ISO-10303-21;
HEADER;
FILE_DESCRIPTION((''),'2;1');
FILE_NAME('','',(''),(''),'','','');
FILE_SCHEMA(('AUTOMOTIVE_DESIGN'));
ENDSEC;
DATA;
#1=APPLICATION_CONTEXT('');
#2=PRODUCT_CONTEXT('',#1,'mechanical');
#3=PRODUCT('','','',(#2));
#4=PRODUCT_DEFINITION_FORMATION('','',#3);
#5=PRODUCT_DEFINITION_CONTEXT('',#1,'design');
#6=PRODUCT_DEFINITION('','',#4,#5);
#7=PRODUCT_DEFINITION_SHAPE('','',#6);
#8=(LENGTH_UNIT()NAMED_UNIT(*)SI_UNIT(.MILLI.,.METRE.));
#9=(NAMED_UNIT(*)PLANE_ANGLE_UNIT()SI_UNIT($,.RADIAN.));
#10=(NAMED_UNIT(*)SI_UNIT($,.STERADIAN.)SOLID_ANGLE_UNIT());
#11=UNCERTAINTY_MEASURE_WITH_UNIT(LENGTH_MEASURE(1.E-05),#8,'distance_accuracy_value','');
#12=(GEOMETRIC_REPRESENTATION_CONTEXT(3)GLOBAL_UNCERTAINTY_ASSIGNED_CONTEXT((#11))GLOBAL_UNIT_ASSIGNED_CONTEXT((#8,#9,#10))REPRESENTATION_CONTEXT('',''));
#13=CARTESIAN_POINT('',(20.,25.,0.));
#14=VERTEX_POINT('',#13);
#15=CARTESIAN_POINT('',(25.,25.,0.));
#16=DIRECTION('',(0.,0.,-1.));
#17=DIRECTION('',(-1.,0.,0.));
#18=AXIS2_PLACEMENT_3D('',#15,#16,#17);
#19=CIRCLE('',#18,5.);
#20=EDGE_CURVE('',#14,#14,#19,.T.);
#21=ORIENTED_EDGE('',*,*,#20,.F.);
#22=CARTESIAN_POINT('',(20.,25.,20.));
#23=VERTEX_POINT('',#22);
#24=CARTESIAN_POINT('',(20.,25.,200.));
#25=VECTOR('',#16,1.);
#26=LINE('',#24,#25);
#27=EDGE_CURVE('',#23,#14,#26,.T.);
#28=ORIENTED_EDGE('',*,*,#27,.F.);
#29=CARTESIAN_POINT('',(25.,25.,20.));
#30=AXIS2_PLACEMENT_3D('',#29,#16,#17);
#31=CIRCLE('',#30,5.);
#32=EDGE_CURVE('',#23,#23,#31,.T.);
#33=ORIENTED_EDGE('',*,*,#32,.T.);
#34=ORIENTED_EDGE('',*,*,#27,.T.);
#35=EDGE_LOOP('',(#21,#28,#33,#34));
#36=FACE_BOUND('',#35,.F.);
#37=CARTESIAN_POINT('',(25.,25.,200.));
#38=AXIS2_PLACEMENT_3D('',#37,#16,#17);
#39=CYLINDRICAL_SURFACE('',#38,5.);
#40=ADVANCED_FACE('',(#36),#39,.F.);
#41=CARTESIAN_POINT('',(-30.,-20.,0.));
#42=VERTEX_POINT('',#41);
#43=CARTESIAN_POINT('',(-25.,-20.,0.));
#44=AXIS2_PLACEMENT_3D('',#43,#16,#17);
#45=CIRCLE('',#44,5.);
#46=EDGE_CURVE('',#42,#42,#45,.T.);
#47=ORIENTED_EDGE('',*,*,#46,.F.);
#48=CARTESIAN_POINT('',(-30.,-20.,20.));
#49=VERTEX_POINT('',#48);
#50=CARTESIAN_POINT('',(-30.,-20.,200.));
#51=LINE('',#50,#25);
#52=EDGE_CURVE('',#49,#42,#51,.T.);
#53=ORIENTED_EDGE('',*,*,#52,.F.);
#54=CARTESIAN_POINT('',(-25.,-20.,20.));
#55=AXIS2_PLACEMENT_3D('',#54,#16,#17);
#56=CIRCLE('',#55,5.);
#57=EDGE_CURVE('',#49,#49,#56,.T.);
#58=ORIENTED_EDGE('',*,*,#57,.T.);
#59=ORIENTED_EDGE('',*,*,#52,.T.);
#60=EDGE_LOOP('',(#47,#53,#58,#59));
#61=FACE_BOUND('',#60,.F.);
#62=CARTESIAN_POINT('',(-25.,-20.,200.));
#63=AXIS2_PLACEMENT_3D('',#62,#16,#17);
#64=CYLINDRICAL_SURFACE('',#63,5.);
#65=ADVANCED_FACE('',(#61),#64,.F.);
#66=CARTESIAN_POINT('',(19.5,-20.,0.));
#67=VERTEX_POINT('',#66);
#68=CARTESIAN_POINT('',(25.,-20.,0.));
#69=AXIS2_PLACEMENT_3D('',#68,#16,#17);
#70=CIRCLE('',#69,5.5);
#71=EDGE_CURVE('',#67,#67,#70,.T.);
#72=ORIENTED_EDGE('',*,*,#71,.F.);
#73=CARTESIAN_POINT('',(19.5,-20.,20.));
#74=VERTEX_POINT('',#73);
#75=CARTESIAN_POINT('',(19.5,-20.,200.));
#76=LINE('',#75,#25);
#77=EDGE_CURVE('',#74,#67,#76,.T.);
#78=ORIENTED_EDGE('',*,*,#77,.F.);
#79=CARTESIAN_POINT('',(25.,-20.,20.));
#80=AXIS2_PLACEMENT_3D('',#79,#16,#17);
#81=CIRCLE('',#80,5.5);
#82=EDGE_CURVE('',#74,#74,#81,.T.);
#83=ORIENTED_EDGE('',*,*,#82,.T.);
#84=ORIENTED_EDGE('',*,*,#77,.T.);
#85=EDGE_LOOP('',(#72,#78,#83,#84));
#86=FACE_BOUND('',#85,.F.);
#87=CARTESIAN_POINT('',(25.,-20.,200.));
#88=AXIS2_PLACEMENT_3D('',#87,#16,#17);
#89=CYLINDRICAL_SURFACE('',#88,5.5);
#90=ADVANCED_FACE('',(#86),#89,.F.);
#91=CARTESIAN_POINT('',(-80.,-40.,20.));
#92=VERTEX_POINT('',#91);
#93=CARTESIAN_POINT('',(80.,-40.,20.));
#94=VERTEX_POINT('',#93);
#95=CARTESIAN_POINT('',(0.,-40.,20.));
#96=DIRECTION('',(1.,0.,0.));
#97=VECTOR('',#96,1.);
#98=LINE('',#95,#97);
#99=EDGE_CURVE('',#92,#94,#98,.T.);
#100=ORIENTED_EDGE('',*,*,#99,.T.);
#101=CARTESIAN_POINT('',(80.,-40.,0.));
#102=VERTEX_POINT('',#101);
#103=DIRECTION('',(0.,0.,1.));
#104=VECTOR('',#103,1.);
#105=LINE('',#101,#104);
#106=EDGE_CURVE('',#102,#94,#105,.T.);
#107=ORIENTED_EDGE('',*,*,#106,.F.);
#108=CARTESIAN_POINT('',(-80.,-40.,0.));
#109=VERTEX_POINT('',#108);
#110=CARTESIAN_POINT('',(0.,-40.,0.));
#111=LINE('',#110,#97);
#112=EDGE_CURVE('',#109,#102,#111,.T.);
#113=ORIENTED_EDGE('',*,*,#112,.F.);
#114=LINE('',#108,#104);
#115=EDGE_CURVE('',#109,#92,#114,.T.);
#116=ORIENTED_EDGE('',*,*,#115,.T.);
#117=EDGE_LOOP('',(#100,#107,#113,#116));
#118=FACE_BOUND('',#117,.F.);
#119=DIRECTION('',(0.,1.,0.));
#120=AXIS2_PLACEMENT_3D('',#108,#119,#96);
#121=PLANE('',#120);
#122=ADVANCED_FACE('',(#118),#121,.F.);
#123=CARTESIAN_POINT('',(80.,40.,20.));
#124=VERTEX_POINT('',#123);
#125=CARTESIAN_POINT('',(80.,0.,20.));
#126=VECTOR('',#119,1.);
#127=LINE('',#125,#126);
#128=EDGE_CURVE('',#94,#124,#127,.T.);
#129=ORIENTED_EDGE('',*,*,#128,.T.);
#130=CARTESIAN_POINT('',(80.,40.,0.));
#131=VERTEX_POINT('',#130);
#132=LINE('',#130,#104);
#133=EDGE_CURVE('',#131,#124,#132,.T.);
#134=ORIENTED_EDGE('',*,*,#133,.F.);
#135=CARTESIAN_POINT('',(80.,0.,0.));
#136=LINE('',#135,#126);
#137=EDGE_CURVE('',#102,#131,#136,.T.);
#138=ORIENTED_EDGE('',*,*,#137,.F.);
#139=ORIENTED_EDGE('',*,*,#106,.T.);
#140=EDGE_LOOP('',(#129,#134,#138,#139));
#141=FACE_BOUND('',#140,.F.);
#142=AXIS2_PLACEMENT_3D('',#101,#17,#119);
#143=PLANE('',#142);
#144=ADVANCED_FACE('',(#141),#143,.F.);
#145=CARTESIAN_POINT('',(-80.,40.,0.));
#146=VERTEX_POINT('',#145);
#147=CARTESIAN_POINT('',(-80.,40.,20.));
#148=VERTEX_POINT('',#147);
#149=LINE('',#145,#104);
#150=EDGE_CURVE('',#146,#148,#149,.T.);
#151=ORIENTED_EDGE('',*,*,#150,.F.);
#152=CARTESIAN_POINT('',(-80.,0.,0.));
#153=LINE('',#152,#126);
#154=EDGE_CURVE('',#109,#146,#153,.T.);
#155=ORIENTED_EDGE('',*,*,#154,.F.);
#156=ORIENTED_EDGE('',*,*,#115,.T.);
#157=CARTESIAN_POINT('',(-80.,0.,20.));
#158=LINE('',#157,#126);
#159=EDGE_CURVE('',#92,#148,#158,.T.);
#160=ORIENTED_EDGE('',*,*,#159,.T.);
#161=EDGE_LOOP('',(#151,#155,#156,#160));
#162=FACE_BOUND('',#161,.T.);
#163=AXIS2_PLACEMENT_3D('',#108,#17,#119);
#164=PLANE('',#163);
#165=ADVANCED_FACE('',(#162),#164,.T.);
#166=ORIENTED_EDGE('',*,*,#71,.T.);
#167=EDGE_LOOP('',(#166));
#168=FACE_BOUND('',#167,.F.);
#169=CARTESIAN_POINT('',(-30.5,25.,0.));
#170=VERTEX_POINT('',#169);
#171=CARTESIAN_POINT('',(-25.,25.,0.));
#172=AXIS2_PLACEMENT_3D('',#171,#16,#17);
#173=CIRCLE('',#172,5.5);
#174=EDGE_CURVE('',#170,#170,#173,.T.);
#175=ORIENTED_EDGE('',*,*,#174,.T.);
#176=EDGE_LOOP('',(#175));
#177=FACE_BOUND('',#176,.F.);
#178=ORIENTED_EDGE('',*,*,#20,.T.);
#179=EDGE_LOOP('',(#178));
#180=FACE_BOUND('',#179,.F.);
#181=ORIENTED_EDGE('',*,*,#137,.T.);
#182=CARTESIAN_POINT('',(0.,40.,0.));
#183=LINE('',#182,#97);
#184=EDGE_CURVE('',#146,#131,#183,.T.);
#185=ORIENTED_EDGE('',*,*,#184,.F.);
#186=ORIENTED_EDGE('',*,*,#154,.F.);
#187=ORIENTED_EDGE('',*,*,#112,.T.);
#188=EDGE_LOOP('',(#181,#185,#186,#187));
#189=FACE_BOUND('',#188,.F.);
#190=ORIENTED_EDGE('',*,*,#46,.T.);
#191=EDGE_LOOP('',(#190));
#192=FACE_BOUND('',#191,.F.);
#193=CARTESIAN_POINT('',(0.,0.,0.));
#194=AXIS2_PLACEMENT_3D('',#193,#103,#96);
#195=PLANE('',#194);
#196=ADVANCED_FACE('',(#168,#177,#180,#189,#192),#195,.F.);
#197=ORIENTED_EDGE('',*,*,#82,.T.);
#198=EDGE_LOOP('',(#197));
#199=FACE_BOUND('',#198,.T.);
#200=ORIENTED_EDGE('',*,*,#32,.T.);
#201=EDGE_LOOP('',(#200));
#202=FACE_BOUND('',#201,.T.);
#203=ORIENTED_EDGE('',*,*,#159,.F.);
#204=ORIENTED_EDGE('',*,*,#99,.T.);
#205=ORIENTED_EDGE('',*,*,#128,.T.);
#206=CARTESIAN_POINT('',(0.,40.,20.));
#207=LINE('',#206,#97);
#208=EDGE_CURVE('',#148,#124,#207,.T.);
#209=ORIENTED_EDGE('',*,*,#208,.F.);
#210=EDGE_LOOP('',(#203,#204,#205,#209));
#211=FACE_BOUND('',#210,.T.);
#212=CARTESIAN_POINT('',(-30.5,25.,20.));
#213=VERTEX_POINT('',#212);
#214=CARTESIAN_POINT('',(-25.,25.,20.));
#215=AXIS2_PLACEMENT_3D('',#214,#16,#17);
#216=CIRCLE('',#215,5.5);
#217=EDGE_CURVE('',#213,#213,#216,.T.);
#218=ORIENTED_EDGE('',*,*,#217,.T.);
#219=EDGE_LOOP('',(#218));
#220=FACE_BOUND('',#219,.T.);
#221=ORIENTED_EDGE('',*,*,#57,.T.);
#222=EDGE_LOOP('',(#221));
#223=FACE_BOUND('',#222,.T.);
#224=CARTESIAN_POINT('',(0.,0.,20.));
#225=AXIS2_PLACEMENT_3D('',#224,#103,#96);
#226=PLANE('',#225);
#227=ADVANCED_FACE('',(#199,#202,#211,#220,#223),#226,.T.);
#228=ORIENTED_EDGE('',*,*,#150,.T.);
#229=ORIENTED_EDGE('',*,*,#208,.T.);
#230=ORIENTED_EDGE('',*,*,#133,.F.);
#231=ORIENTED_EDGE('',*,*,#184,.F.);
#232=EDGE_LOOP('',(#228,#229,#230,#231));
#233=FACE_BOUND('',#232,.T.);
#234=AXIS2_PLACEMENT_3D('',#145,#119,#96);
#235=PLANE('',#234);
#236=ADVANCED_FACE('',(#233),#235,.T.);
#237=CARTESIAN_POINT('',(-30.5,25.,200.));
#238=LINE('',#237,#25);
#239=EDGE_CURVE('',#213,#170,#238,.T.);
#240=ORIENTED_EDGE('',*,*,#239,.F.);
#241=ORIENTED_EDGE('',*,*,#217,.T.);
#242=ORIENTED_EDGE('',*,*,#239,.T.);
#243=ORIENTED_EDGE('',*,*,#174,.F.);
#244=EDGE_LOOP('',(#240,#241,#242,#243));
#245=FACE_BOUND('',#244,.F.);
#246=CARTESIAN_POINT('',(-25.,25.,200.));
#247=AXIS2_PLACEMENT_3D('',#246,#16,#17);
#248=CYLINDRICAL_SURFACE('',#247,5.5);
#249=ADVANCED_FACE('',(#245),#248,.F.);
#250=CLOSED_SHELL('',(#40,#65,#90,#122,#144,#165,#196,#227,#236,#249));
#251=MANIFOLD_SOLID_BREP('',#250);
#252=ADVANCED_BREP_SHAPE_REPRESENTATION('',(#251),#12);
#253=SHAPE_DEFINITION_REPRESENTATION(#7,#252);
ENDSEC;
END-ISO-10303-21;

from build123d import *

# Parameters (mm, degrees)
SKETCH_1_W          = 160
SKETCH_1_H          = 80
EXTRUDE_1_DEPTH     = 20
HOLE_WIZARD_M10_1_D = 11
MM_1_D              = 10


with BuildPart() as part:
    # 草图1 → 凸台-拉伸1 (new body)
    with BuildSketch(Plane.XY):
        Rectangle(SKETCH_1_W, SKETCH_1_H)
    extrude(amount=EXTRUDE_1_DEPTH)

    # M10 间隙孔1 (through all)
    with Locations(Plane.XY.offset(20)):
        with Locations((-25, 25), (25, -20)):
            Hole(HOLE_WIZARD_M10_1_D / 2)

    # 大小mm 暗销孔1 (through all)
    with Locations(Plane.XY.offset(20)):
        with Locations((25, 25), (-25, -20)):
            Hole(MM_1_D / 2)


solid = part.part
